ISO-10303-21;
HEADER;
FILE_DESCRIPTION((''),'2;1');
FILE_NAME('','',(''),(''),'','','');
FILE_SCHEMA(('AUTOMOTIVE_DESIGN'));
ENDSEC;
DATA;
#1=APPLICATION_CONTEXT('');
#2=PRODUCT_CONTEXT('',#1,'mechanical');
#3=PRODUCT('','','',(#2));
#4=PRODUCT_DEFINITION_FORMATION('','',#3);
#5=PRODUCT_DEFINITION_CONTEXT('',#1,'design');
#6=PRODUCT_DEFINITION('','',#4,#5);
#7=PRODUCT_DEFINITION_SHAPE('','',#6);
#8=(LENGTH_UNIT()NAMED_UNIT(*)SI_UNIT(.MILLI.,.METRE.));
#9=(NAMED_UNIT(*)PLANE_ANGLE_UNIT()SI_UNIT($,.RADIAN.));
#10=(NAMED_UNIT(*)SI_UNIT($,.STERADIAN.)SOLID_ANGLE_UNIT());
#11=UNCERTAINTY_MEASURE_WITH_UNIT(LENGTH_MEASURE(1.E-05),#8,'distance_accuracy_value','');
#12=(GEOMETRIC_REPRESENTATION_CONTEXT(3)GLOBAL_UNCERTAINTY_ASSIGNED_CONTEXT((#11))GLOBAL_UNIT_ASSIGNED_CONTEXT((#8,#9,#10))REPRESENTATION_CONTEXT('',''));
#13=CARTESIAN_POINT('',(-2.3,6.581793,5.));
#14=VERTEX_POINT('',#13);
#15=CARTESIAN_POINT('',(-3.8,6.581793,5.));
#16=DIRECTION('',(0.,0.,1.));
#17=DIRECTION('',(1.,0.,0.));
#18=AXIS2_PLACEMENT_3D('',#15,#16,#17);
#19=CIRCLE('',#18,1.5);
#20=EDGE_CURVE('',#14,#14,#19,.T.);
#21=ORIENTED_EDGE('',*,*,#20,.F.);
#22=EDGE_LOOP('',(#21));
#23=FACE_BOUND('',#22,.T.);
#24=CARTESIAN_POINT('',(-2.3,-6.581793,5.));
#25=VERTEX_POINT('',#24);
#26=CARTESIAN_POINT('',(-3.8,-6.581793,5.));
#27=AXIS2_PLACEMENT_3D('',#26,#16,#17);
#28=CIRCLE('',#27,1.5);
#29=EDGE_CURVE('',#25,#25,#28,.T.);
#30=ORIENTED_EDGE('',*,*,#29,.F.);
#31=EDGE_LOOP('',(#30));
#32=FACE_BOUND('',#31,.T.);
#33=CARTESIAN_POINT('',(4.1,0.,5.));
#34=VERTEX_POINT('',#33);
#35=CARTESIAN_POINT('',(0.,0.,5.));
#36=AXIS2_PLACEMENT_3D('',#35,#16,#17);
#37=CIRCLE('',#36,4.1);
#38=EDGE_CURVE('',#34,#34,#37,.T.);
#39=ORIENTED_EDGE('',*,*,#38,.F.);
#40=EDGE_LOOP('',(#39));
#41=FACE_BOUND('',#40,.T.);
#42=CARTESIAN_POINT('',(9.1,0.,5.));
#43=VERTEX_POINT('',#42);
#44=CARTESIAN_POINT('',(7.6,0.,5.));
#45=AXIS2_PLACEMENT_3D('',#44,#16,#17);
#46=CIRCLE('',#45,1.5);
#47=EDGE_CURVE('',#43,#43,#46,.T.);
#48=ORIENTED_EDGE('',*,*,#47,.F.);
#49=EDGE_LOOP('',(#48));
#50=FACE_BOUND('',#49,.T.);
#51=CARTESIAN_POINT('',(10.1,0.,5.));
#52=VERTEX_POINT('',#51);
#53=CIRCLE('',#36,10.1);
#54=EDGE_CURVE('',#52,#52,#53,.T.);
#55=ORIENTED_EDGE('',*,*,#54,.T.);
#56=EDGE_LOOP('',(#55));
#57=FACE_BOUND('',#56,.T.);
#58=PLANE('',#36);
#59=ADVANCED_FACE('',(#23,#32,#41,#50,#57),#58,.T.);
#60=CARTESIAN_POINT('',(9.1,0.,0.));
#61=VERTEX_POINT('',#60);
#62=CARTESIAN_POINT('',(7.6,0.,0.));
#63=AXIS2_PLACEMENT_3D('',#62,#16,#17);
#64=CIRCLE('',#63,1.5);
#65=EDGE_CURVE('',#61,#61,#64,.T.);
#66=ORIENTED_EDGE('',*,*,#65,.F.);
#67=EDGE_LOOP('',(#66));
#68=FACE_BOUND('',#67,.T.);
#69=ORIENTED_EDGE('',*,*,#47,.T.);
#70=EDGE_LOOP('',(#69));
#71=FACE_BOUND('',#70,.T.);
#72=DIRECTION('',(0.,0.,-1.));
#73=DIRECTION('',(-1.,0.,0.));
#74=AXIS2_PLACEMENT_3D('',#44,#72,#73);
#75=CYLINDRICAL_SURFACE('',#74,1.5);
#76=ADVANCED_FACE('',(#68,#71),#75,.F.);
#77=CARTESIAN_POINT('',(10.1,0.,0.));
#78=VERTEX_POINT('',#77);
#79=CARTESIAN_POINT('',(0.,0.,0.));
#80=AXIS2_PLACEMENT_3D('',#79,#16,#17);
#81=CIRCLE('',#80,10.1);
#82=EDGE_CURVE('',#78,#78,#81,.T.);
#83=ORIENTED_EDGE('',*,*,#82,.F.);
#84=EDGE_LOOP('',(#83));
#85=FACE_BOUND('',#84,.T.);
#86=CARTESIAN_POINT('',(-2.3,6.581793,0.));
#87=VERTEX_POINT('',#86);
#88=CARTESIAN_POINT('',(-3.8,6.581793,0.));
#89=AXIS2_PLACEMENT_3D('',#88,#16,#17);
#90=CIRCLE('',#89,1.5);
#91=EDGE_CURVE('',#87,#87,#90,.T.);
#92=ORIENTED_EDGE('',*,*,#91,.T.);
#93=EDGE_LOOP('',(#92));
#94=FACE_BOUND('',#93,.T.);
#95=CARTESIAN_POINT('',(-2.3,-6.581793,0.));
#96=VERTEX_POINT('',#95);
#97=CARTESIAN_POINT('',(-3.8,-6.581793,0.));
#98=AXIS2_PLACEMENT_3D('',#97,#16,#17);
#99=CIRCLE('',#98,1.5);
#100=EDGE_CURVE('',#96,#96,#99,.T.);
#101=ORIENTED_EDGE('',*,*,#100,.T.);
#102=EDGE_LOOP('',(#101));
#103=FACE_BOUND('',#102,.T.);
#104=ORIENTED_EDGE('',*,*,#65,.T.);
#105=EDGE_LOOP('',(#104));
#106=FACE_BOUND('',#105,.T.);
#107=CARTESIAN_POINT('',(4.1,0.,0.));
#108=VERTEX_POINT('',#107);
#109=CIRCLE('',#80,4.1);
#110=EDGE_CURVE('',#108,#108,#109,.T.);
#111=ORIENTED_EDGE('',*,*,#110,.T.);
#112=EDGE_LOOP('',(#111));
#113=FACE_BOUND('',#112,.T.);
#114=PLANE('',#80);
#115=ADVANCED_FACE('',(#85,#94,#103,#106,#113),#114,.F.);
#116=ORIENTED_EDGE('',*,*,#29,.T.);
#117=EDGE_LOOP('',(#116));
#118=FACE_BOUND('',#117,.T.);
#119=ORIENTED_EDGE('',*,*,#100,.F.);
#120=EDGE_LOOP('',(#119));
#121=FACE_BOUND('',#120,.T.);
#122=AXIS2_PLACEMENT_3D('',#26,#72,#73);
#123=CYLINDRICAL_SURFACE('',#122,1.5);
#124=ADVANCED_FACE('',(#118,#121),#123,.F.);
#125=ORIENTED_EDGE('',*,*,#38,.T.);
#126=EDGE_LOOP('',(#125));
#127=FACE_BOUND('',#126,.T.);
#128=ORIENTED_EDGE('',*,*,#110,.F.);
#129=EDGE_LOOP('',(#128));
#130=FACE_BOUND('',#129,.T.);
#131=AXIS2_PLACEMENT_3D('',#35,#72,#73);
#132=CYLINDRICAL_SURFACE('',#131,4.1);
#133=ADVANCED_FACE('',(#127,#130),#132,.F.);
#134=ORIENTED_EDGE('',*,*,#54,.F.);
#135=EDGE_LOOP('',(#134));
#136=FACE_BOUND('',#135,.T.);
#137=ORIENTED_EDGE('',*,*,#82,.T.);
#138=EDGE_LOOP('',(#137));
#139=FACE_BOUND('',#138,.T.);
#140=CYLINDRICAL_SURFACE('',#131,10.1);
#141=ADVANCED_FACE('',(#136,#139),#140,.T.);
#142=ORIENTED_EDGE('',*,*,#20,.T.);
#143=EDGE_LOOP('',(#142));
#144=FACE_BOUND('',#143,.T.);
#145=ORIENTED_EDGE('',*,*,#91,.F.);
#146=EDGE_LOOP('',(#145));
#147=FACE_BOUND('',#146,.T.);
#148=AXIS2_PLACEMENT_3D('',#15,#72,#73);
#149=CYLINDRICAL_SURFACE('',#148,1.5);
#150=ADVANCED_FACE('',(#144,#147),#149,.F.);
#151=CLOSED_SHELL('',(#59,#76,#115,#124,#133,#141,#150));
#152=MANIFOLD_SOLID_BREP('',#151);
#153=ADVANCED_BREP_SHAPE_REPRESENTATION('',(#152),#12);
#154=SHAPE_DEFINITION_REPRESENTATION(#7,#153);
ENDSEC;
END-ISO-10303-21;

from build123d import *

# Parameters (mm, degrees)
SKETCH2_R           = 10.1
SKETCH2_R_2         = 4.1
SKETCH2_R_3         = 1.5
BOSS_EXTRUDE1_DEPTH = 5


with BuildPart() as part:
    # Sketch2 → Boss-Extrude1 (new body)
    with BuildSketch(Plane.XY):
        Circle(SKETCH2_R)
        Circle(SKETCH2_R_2, mode=Mode.SUBTRACT)
        with Locations((7.6, 0)):
            Circle(SKETCH2_R_3, mode=Mode.SUBTRACT)
        with Locations((-3.8, -6.581793069)):
            Circle(SKETCH2_R_3, mode=Mode.SUBTRACT)
        with Locations((-3.8, 6.581793069)):
            Circle(SKETCH2_R_3, mode=Mode.SUBTRACT)
    extrude(amount=BOSS_EXTRUDE1_DEPTH)


solid = part.part
